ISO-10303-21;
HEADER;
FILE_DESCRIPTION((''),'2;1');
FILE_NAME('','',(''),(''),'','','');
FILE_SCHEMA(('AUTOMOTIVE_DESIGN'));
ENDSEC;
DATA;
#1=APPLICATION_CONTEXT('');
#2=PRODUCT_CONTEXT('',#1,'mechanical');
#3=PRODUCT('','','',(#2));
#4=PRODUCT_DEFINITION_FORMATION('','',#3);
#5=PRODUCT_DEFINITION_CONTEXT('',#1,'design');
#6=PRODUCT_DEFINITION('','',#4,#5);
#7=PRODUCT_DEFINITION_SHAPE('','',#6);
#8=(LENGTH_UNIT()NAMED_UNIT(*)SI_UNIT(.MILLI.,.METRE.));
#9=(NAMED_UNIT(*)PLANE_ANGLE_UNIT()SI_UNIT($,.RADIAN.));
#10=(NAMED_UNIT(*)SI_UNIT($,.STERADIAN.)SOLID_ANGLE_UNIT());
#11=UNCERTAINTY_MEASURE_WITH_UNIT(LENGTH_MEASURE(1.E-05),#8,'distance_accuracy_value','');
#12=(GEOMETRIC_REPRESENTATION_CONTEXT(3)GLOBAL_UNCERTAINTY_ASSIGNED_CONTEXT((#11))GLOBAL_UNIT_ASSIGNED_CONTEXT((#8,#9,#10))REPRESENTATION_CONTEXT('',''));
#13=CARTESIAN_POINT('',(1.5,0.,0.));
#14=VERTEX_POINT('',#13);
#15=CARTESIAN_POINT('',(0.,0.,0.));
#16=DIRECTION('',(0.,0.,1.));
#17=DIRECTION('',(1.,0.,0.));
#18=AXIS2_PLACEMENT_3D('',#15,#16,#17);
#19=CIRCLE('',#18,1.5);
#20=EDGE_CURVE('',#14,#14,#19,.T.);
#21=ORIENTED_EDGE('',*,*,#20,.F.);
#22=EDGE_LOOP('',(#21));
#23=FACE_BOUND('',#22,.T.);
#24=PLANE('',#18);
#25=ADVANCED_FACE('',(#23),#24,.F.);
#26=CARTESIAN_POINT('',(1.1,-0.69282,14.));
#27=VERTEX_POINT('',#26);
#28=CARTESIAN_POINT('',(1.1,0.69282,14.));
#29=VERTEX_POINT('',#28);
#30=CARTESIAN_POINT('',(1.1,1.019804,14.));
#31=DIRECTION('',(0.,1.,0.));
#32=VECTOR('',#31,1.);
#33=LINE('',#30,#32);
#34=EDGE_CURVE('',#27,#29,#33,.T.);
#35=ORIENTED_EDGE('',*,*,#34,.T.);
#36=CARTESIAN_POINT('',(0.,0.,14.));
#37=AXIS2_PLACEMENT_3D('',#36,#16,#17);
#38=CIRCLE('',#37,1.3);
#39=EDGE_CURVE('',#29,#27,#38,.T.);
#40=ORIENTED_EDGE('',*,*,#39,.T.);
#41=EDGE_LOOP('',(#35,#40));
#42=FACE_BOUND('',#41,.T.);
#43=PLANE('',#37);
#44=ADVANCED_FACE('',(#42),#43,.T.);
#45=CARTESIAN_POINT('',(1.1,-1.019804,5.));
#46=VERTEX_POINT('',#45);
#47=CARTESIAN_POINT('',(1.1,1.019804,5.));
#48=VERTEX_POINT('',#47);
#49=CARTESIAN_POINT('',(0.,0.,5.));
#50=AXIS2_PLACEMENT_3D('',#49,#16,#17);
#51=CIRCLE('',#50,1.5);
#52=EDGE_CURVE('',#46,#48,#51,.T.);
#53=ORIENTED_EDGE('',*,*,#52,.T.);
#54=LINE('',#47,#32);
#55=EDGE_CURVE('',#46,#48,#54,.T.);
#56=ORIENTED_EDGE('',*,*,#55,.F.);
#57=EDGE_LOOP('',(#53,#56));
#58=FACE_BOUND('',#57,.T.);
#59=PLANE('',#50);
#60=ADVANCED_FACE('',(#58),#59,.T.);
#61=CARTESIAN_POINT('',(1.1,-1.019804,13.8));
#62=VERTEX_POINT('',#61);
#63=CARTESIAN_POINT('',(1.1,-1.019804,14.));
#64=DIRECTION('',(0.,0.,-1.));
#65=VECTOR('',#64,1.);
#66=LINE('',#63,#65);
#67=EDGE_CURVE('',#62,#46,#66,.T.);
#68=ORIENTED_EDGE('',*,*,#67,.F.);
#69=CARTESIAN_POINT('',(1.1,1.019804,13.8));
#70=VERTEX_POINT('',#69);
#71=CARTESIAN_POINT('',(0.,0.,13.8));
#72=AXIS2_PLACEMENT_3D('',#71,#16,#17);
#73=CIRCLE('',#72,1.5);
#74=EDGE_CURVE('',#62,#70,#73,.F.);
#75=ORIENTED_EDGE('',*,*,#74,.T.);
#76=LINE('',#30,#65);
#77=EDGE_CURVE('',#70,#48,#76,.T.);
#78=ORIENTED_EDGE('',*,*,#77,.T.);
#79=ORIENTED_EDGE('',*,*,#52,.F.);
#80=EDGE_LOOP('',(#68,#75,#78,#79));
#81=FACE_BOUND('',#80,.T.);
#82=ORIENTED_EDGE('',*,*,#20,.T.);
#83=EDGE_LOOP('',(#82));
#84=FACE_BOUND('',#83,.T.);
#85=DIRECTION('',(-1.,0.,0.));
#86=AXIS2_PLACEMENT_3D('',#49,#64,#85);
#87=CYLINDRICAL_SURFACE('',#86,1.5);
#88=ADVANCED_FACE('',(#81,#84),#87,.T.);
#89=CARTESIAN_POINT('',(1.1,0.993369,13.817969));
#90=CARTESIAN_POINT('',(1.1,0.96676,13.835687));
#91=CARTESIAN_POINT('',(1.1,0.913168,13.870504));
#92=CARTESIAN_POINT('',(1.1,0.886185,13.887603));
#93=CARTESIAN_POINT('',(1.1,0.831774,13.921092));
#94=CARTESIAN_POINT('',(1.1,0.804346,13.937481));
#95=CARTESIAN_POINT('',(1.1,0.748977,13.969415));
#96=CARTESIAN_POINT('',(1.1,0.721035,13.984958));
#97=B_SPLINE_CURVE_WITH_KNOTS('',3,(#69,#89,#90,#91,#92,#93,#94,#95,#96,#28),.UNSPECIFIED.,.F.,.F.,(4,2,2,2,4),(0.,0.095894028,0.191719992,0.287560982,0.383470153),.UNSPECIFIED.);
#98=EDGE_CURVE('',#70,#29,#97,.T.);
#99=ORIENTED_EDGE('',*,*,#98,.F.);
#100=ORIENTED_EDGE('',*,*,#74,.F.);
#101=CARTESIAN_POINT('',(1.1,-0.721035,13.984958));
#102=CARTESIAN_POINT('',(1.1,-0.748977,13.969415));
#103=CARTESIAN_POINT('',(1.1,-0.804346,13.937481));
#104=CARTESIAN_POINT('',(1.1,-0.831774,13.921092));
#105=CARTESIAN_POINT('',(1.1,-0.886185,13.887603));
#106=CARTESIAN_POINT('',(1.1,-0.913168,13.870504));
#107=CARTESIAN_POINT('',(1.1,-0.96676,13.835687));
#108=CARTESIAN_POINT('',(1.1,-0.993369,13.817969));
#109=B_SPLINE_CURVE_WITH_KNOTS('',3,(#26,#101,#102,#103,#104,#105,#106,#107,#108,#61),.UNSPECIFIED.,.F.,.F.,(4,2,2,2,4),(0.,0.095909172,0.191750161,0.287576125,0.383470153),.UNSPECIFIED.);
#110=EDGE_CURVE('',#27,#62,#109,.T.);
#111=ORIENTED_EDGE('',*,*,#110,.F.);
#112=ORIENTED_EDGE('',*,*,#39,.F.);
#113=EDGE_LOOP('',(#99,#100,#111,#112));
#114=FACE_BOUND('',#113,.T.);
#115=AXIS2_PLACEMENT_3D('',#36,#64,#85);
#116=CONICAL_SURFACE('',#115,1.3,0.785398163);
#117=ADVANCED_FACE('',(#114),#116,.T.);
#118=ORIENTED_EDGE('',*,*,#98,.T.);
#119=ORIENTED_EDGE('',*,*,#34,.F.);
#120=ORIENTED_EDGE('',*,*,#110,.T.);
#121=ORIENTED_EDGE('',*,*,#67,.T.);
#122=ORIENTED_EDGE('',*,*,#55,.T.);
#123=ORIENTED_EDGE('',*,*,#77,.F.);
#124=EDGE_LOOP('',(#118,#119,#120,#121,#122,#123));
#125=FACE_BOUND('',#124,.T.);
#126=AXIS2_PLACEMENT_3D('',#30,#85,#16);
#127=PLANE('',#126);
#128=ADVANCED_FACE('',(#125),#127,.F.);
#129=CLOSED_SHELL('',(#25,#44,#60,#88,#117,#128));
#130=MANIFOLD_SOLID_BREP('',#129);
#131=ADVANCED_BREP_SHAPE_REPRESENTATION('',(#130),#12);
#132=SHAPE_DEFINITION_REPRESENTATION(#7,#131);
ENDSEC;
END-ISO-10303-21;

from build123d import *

# Parameters (mm, degrees)
SKETCH_1_R      = 1.5
EXTRUDE_1_DEPTH = 5
EXTRUDE_2_DEPTH = 9
CHAMFER_1_SIZE  = 0.2


with BuildPart() as part:
    # Эскиз1 → Бобышка-Вытянуть1 (new body)
    with BuildSketch(Plane.XY):
        Circle(SKETCH_1_R)
    extrude(amount=EXTRUDE_1_DEPTH)

    # Эскиз2 → Бобышка-Вытянуть2 (add)
    with BuildSketch(Plane.XY.offset(5)):
        with BuildLine():
            Line((1.1, 1.019803903), (1.1, -1.019803903))
            ThreePointArc((1.1, -1.019803903), (-1.5, 0), (1.1, 1.019803903))
        make_face()
    extrude(amount=EXTRUDE_2_DEPTH)

    # Фаска1
    chamfer_1_edges = [part.edges().sort_by_distance(p)[0] for p in [
        (-1.5, 0, 14),
    ]]
    chamfer(chamfer_1_edges, length=CHAMFER_1_SIZE)


solid = part.part
